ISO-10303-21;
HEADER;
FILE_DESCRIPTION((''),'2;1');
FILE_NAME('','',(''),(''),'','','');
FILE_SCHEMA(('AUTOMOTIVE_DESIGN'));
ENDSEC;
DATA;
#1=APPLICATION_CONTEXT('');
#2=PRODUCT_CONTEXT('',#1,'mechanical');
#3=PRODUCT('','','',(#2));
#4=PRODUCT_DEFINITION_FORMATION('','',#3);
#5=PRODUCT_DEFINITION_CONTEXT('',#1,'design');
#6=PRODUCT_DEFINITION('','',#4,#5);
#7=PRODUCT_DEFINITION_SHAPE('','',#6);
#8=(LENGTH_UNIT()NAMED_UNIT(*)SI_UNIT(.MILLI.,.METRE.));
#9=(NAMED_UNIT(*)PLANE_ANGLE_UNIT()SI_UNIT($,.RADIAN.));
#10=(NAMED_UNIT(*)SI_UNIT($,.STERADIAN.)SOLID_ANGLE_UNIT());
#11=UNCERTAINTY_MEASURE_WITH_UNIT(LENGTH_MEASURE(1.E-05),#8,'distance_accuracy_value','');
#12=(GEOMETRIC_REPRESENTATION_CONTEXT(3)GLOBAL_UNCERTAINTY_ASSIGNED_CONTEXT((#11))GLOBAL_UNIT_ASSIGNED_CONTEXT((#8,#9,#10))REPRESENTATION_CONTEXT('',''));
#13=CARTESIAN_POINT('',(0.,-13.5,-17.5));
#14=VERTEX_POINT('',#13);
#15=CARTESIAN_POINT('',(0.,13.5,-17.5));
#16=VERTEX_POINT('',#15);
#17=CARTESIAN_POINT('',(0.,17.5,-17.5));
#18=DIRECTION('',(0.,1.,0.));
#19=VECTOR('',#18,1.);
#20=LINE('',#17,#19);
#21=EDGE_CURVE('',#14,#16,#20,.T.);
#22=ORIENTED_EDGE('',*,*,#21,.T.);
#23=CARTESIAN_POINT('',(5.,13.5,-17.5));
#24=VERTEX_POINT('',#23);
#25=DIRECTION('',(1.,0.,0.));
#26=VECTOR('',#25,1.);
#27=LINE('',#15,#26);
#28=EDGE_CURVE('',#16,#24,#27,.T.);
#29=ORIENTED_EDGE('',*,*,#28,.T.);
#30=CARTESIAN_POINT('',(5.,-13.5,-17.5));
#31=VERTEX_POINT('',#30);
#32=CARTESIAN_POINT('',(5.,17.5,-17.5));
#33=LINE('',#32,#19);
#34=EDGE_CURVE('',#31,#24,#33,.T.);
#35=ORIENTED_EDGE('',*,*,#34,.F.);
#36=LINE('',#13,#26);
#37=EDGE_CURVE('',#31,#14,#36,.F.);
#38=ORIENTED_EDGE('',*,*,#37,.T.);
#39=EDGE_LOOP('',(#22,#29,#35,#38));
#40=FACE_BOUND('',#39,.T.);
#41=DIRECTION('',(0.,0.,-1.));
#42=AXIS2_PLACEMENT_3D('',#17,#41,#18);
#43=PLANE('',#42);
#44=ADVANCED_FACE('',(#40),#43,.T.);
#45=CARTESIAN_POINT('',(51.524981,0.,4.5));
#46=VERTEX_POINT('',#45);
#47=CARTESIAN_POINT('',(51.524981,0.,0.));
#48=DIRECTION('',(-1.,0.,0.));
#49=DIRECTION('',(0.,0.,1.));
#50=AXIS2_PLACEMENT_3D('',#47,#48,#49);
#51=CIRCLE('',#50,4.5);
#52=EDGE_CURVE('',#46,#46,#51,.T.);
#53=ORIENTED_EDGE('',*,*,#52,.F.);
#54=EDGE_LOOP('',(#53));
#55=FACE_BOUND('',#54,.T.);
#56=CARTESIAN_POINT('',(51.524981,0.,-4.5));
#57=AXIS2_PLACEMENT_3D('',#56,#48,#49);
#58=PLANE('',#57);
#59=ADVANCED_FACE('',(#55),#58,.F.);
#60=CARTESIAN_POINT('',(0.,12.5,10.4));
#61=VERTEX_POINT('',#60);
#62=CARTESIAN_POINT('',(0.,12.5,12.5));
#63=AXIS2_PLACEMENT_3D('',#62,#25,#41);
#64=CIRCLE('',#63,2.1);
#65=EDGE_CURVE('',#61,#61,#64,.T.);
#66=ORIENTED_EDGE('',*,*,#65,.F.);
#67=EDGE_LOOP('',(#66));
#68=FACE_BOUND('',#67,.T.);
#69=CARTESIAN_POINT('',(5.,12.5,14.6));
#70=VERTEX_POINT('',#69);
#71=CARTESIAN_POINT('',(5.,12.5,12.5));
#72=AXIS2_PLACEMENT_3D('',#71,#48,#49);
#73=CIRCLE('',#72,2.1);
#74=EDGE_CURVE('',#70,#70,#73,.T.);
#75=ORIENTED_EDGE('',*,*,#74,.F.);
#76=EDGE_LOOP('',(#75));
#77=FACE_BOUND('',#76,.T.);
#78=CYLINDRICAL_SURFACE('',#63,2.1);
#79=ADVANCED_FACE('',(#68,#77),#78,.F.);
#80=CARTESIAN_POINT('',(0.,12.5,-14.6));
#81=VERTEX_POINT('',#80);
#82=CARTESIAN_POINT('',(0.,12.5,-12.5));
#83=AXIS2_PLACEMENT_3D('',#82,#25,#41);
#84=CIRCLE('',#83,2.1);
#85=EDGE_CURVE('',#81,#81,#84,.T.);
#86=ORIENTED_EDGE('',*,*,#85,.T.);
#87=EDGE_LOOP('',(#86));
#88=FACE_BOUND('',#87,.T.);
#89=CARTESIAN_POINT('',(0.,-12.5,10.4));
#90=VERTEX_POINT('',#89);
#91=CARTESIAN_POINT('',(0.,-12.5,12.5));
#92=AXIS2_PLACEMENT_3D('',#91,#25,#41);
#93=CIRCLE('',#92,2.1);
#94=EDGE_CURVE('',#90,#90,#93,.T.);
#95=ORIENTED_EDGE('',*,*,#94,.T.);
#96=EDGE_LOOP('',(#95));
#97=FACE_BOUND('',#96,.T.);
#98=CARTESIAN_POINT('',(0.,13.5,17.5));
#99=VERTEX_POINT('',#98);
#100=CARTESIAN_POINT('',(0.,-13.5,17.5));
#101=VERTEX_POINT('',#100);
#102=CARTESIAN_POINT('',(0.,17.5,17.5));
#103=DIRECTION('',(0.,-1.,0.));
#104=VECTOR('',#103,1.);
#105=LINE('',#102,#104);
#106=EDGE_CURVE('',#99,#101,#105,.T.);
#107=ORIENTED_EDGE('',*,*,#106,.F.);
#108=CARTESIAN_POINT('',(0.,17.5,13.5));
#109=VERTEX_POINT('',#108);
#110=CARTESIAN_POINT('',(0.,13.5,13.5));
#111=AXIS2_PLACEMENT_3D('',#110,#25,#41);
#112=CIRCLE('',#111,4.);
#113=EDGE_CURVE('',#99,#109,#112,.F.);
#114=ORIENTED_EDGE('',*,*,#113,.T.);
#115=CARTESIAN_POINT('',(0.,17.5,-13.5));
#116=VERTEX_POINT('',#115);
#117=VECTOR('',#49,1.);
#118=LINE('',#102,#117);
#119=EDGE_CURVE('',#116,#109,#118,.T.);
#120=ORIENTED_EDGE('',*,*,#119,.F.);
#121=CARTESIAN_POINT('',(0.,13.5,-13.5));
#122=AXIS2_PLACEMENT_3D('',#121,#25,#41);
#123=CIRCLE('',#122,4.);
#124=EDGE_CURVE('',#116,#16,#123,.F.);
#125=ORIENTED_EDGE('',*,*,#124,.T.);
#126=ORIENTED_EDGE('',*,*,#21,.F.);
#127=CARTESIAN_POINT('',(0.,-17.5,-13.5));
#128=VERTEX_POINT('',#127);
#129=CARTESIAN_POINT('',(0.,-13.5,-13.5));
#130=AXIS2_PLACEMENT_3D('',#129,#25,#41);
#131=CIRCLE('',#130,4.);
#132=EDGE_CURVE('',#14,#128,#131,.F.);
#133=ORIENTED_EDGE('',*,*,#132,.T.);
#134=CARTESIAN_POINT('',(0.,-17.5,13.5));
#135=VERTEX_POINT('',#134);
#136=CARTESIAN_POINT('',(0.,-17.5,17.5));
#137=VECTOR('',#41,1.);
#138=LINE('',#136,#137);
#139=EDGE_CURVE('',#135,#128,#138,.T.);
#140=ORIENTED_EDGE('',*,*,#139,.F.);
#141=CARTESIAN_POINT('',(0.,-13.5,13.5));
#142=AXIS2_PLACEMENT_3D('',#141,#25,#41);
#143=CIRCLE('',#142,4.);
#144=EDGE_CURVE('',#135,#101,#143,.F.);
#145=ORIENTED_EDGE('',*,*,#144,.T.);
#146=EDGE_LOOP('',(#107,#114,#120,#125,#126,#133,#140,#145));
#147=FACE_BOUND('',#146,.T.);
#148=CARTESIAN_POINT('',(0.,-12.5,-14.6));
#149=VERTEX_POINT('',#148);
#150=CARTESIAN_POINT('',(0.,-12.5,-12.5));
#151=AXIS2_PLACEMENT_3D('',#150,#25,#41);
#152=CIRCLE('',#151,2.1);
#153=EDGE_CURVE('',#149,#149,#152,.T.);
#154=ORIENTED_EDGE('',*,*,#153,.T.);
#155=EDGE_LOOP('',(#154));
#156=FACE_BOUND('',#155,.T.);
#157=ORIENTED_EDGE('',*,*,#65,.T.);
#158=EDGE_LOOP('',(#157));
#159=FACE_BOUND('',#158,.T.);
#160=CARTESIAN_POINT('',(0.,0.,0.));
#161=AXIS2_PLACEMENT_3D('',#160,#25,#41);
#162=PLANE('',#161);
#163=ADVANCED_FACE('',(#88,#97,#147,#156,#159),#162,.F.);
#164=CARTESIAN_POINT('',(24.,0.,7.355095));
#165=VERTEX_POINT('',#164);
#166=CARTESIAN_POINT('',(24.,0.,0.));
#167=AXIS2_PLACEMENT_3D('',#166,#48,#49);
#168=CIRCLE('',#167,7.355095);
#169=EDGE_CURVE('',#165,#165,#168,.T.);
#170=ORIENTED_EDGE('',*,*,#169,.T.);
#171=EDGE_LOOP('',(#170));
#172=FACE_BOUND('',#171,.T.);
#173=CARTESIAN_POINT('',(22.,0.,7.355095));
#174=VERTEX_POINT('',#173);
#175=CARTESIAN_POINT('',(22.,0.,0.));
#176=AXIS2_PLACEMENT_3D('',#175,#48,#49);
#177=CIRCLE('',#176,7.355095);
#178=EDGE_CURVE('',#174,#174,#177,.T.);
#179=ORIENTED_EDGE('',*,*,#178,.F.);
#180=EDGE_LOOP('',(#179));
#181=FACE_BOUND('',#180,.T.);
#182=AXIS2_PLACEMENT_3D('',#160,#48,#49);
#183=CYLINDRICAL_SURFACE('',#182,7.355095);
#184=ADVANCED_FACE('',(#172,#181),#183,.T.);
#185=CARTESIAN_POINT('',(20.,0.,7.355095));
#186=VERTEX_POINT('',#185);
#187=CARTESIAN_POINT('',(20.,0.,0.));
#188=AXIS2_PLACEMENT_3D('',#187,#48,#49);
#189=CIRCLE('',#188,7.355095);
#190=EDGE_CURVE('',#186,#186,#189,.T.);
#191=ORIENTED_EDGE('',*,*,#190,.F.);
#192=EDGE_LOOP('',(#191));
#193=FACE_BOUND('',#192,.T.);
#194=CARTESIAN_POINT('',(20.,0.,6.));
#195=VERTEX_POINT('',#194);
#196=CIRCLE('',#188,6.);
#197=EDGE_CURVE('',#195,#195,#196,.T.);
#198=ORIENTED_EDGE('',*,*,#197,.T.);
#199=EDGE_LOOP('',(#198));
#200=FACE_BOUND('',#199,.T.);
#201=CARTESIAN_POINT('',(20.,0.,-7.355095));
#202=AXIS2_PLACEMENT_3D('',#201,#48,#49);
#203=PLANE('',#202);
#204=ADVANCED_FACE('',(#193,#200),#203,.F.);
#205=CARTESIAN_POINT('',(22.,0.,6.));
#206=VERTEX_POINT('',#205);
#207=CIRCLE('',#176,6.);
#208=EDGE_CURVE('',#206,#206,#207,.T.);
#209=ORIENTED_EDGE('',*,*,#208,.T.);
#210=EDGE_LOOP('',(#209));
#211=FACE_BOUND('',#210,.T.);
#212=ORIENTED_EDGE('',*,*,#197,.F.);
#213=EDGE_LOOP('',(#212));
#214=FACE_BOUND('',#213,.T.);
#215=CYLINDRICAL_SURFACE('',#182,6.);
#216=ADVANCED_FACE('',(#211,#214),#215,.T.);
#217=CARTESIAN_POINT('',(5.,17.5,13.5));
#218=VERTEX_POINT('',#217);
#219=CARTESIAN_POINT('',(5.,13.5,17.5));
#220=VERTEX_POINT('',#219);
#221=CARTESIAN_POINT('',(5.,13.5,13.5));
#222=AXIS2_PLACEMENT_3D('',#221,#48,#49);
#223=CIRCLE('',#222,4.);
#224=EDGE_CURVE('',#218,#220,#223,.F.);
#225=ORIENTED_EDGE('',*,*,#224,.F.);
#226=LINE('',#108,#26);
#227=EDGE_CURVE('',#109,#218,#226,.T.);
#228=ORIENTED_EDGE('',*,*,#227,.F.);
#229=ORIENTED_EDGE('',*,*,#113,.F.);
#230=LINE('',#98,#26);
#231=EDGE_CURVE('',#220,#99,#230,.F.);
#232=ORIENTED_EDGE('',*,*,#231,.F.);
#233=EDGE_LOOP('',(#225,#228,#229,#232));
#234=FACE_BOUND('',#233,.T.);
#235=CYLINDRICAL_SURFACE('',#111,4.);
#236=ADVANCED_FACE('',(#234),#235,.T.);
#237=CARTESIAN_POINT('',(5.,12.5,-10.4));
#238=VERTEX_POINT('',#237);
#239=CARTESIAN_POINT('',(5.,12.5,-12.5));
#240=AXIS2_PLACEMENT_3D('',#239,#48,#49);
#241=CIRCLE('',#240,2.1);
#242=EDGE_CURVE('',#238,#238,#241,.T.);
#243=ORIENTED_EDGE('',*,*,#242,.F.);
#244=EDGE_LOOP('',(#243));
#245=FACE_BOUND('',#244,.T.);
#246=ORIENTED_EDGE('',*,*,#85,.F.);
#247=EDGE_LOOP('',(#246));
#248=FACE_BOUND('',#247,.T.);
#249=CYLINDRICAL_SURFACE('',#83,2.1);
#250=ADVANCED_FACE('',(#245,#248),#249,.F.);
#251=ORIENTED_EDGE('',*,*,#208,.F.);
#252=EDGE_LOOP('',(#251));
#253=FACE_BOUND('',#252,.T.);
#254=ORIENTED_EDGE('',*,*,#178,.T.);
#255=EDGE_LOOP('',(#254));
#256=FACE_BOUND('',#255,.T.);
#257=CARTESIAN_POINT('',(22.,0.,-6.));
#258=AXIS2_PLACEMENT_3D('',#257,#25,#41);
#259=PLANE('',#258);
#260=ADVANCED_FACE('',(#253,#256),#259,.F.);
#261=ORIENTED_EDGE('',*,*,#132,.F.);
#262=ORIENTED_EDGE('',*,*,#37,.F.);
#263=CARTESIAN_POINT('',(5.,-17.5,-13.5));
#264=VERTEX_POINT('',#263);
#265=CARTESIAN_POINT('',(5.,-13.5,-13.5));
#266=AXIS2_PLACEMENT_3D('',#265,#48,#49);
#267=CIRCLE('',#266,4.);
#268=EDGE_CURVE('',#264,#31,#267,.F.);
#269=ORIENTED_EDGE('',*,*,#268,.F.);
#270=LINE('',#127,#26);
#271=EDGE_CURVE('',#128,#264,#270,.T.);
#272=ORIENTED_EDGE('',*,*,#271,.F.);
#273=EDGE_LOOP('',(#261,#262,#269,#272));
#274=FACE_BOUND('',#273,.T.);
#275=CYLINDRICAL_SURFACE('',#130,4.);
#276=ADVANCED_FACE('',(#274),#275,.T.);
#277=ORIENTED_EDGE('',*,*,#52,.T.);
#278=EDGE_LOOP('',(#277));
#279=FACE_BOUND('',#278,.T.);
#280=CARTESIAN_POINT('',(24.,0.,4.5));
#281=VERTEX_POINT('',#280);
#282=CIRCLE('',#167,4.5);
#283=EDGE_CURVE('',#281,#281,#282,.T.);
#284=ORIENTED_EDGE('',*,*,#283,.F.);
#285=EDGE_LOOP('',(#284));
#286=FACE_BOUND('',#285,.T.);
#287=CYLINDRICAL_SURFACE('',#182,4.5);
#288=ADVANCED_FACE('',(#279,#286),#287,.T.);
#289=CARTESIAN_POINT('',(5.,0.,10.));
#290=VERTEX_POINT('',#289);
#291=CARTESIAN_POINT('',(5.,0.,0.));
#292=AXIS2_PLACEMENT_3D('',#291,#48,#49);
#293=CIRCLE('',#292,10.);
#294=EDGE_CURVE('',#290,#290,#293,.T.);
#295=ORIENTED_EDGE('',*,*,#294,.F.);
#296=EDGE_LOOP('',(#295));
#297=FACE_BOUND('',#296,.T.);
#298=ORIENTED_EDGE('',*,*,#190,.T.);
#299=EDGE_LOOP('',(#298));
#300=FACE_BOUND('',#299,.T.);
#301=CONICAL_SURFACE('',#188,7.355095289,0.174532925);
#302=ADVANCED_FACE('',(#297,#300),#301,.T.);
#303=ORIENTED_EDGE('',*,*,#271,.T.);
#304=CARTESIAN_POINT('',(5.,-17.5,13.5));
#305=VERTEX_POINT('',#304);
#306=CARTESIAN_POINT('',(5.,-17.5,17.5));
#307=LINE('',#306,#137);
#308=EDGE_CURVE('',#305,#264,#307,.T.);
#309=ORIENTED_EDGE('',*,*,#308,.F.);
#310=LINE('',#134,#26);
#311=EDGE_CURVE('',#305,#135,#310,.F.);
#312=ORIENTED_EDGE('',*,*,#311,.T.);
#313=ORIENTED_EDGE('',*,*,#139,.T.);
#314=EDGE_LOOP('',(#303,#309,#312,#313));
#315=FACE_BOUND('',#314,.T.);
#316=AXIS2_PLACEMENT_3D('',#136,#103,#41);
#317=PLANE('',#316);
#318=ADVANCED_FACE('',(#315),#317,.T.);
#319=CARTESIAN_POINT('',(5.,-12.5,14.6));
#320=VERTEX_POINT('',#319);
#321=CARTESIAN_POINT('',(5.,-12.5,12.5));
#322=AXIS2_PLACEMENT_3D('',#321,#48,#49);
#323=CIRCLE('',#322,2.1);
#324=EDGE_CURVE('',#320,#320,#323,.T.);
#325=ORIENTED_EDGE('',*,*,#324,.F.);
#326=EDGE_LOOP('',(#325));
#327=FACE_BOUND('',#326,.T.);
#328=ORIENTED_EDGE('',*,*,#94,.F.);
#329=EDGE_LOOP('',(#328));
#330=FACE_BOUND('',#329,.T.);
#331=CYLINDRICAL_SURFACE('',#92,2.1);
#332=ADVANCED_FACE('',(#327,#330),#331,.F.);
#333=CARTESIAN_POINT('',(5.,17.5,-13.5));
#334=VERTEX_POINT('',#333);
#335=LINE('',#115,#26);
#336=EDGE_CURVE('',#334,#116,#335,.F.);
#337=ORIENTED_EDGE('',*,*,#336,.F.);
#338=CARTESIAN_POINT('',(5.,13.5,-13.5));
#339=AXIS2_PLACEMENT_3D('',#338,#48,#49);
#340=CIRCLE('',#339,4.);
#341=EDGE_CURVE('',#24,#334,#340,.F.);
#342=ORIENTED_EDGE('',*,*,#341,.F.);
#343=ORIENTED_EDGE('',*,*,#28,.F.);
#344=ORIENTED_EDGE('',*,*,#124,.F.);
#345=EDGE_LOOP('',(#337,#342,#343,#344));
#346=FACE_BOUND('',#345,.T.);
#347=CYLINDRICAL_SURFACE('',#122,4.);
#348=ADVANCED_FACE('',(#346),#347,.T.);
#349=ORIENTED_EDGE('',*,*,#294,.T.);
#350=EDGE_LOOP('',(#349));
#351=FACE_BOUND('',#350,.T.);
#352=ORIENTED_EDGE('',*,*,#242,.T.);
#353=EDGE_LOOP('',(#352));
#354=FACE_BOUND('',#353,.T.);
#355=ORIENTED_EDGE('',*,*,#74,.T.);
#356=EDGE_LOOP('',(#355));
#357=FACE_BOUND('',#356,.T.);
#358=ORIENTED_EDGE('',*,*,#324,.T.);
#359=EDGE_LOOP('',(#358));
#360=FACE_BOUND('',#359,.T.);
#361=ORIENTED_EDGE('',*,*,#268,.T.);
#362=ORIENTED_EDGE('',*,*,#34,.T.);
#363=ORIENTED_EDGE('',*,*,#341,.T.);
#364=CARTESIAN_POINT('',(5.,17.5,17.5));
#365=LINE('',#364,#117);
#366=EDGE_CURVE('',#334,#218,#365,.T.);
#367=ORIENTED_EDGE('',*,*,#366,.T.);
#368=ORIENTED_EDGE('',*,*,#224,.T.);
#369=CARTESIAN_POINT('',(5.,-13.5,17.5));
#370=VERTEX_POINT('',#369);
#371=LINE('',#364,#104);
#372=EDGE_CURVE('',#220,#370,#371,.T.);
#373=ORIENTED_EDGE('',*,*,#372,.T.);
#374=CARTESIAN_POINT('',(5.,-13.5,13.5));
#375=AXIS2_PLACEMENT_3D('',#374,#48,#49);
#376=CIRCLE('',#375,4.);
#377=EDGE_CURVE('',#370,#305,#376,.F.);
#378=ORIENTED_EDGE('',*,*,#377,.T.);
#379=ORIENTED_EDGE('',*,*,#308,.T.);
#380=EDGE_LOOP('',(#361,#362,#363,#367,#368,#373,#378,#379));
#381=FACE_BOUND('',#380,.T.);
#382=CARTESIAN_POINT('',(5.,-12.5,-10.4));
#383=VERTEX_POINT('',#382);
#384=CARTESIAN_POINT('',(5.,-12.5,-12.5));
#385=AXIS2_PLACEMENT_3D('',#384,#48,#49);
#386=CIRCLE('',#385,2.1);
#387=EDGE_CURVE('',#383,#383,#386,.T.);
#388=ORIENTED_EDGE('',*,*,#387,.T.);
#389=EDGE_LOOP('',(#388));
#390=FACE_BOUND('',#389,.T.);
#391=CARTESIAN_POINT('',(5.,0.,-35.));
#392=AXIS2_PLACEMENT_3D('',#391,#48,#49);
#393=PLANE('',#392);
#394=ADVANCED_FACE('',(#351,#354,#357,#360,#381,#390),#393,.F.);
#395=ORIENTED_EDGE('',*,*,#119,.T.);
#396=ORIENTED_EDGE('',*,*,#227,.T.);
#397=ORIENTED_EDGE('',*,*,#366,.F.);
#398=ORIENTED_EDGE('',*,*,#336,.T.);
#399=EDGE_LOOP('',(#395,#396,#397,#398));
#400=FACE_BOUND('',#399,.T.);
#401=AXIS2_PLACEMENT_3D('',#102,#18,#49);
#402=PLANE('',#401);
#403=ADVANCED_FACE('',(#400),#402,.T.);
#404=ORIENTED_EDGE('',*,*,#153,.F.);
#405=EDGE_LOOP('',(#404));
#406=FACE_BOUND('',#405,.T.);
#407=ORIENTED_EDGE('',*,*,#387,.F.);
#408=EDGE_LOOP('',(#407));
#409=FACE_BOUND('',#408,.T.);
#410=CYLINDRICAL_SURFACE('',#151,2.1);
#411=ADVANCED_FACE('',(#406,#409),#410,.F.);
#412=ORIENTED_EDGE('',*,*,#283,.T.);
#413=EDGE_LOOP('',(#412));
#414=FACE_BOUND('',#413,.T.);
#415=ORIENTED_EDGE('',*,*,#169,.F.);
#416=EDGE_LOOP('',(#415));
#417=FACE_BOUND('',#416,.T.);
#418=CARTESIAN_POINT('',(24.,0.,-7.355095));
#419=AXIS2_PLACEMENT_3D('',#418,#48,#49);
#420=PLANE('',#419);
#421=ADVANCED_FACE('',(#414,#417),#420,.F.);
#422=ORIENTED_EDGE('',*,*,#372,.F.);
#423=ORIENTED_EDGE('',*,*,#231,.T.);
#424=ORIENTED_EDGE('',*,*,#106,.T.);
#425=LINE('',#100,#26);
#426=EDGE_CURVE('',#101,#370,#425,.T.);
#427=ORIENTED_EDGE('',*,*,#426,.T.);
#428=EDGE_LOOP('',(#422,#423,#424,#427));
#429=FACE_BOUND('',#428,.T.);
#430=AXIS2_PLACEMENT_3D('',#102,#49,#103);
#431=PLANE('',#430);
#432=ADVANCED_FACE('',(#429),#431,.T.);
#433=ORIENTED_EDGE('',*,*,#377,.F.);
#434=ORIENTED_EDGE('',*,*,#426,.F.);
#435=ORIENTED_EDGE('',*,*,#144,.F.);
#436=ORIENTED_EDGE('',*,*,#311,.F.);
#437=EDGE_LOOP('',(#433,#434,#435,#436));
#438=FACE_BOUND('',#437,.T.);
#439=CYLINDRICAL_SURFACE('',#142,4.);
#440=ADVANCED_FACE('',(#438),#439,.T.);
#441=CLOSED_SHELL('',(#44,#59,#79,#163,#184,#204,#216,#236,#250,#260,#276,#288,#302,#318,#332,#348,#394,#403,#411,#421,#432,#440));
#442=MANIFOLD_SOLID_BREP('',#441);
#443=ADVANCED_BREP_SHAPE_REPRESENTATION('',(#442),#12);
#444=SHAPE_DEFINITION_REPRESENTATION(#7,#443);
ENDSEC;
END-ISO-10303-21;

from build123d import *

# Parameters (mm, degrees)
SKETCH4_OUTSIDE_W       = 94.32
SKETCH4_OUTSIDE_H       = 94.32
SKETCH4_OUTSIDE_W_2     = 35
SKETCH4_OUTSIDE_H_2     = 35
CUT_EXTRUDE1_DEPTH      = 5
FILLET1_R               = 4
CUT_EXTRUDE2_DEPTH      = 53.697949186
CUT_EXTRUDE2_DEPTH_BACK = 53.697949186
SKETCH5_R               = 2.1


with BuildPart() as part:
    # Sketch3 → Revolve1 (revolve)
    with BuildSketch(Plane(origin=(0, 0, 0), x_dir=(1, 0, 0), z_dir=(0, 1, 0))):
        Polygon((0, 0), (0, 35), (5, 35), (5, 10), (20, 7.355095289), (20, 6), (22, 6), (22, 7.355095289), (24, 7.355095289), (24, 4.5), (51.524980907, 4.5), (51.524980907, 0), align=None)
    revolve(axis=Axis((0, 0, 0), (1, 0, 0)))

    # Sketch4 outside → Cut-Extrude1 (cut)
    with BuildSketch(Plane(origin=(5, 0, 0), x_dir=(0, 0, -1), z_dir=(1, 0, 0))):
        Rectangle(SKETCH4_OUTSIDE_W, SKETCH4_OUTSIDE_H)
        Rectangle(SKETCH4_OUTSIDE_W_2, SKETCH4_OUTSIDE_H_2, mode=Mode.SUBTRACT)
    extrude(amount=-CUT_EXTRUDE1_DEPTH, mode=Mode.SUBTRACT)

    # Fillet1
    fillet1_edges = [part.edges().sort_by_distance(p)[0] for p in [
        (2.5, 17.5, -17.5),
        (2.5, -17.5, -17.5),
        (2.5, -17.5, 17.5),
        (2.5, 17.5, 17.5),
    ]]
    fillet(fillet1_edges, radius=FILLET1_R)

    # Sketch5 → Cut-Extrude2 (cut, two sides: drawn at the far end of the back side and taken through both)
    with BuildSketch(Plane(origin=(5, 0, 0), x_dir=(0, 0, -1), z_dir=(1, 0, 0)).offset(-CUT_EXTRUDE2_DEPTH_BACK)):
        with Locations((-12.5, 12.5)):
            Circle(SKETCH5_R)
        with Locations((12.5, 12.5)):
            Circle(SKETCH5_R)
        with Locations((12.5, -12.5)):
            Circle(SKETCH5_R)
        with Locations((-12.5, -12.5)):
            Circle(SKETCH5_R)
    extrude(amount=CUT_EXTRUDE2_DEPTH + CUT_EXTRUDE2_DEPTH_BACK, mode=Mode.SUBTRACT)


solid = part.part
